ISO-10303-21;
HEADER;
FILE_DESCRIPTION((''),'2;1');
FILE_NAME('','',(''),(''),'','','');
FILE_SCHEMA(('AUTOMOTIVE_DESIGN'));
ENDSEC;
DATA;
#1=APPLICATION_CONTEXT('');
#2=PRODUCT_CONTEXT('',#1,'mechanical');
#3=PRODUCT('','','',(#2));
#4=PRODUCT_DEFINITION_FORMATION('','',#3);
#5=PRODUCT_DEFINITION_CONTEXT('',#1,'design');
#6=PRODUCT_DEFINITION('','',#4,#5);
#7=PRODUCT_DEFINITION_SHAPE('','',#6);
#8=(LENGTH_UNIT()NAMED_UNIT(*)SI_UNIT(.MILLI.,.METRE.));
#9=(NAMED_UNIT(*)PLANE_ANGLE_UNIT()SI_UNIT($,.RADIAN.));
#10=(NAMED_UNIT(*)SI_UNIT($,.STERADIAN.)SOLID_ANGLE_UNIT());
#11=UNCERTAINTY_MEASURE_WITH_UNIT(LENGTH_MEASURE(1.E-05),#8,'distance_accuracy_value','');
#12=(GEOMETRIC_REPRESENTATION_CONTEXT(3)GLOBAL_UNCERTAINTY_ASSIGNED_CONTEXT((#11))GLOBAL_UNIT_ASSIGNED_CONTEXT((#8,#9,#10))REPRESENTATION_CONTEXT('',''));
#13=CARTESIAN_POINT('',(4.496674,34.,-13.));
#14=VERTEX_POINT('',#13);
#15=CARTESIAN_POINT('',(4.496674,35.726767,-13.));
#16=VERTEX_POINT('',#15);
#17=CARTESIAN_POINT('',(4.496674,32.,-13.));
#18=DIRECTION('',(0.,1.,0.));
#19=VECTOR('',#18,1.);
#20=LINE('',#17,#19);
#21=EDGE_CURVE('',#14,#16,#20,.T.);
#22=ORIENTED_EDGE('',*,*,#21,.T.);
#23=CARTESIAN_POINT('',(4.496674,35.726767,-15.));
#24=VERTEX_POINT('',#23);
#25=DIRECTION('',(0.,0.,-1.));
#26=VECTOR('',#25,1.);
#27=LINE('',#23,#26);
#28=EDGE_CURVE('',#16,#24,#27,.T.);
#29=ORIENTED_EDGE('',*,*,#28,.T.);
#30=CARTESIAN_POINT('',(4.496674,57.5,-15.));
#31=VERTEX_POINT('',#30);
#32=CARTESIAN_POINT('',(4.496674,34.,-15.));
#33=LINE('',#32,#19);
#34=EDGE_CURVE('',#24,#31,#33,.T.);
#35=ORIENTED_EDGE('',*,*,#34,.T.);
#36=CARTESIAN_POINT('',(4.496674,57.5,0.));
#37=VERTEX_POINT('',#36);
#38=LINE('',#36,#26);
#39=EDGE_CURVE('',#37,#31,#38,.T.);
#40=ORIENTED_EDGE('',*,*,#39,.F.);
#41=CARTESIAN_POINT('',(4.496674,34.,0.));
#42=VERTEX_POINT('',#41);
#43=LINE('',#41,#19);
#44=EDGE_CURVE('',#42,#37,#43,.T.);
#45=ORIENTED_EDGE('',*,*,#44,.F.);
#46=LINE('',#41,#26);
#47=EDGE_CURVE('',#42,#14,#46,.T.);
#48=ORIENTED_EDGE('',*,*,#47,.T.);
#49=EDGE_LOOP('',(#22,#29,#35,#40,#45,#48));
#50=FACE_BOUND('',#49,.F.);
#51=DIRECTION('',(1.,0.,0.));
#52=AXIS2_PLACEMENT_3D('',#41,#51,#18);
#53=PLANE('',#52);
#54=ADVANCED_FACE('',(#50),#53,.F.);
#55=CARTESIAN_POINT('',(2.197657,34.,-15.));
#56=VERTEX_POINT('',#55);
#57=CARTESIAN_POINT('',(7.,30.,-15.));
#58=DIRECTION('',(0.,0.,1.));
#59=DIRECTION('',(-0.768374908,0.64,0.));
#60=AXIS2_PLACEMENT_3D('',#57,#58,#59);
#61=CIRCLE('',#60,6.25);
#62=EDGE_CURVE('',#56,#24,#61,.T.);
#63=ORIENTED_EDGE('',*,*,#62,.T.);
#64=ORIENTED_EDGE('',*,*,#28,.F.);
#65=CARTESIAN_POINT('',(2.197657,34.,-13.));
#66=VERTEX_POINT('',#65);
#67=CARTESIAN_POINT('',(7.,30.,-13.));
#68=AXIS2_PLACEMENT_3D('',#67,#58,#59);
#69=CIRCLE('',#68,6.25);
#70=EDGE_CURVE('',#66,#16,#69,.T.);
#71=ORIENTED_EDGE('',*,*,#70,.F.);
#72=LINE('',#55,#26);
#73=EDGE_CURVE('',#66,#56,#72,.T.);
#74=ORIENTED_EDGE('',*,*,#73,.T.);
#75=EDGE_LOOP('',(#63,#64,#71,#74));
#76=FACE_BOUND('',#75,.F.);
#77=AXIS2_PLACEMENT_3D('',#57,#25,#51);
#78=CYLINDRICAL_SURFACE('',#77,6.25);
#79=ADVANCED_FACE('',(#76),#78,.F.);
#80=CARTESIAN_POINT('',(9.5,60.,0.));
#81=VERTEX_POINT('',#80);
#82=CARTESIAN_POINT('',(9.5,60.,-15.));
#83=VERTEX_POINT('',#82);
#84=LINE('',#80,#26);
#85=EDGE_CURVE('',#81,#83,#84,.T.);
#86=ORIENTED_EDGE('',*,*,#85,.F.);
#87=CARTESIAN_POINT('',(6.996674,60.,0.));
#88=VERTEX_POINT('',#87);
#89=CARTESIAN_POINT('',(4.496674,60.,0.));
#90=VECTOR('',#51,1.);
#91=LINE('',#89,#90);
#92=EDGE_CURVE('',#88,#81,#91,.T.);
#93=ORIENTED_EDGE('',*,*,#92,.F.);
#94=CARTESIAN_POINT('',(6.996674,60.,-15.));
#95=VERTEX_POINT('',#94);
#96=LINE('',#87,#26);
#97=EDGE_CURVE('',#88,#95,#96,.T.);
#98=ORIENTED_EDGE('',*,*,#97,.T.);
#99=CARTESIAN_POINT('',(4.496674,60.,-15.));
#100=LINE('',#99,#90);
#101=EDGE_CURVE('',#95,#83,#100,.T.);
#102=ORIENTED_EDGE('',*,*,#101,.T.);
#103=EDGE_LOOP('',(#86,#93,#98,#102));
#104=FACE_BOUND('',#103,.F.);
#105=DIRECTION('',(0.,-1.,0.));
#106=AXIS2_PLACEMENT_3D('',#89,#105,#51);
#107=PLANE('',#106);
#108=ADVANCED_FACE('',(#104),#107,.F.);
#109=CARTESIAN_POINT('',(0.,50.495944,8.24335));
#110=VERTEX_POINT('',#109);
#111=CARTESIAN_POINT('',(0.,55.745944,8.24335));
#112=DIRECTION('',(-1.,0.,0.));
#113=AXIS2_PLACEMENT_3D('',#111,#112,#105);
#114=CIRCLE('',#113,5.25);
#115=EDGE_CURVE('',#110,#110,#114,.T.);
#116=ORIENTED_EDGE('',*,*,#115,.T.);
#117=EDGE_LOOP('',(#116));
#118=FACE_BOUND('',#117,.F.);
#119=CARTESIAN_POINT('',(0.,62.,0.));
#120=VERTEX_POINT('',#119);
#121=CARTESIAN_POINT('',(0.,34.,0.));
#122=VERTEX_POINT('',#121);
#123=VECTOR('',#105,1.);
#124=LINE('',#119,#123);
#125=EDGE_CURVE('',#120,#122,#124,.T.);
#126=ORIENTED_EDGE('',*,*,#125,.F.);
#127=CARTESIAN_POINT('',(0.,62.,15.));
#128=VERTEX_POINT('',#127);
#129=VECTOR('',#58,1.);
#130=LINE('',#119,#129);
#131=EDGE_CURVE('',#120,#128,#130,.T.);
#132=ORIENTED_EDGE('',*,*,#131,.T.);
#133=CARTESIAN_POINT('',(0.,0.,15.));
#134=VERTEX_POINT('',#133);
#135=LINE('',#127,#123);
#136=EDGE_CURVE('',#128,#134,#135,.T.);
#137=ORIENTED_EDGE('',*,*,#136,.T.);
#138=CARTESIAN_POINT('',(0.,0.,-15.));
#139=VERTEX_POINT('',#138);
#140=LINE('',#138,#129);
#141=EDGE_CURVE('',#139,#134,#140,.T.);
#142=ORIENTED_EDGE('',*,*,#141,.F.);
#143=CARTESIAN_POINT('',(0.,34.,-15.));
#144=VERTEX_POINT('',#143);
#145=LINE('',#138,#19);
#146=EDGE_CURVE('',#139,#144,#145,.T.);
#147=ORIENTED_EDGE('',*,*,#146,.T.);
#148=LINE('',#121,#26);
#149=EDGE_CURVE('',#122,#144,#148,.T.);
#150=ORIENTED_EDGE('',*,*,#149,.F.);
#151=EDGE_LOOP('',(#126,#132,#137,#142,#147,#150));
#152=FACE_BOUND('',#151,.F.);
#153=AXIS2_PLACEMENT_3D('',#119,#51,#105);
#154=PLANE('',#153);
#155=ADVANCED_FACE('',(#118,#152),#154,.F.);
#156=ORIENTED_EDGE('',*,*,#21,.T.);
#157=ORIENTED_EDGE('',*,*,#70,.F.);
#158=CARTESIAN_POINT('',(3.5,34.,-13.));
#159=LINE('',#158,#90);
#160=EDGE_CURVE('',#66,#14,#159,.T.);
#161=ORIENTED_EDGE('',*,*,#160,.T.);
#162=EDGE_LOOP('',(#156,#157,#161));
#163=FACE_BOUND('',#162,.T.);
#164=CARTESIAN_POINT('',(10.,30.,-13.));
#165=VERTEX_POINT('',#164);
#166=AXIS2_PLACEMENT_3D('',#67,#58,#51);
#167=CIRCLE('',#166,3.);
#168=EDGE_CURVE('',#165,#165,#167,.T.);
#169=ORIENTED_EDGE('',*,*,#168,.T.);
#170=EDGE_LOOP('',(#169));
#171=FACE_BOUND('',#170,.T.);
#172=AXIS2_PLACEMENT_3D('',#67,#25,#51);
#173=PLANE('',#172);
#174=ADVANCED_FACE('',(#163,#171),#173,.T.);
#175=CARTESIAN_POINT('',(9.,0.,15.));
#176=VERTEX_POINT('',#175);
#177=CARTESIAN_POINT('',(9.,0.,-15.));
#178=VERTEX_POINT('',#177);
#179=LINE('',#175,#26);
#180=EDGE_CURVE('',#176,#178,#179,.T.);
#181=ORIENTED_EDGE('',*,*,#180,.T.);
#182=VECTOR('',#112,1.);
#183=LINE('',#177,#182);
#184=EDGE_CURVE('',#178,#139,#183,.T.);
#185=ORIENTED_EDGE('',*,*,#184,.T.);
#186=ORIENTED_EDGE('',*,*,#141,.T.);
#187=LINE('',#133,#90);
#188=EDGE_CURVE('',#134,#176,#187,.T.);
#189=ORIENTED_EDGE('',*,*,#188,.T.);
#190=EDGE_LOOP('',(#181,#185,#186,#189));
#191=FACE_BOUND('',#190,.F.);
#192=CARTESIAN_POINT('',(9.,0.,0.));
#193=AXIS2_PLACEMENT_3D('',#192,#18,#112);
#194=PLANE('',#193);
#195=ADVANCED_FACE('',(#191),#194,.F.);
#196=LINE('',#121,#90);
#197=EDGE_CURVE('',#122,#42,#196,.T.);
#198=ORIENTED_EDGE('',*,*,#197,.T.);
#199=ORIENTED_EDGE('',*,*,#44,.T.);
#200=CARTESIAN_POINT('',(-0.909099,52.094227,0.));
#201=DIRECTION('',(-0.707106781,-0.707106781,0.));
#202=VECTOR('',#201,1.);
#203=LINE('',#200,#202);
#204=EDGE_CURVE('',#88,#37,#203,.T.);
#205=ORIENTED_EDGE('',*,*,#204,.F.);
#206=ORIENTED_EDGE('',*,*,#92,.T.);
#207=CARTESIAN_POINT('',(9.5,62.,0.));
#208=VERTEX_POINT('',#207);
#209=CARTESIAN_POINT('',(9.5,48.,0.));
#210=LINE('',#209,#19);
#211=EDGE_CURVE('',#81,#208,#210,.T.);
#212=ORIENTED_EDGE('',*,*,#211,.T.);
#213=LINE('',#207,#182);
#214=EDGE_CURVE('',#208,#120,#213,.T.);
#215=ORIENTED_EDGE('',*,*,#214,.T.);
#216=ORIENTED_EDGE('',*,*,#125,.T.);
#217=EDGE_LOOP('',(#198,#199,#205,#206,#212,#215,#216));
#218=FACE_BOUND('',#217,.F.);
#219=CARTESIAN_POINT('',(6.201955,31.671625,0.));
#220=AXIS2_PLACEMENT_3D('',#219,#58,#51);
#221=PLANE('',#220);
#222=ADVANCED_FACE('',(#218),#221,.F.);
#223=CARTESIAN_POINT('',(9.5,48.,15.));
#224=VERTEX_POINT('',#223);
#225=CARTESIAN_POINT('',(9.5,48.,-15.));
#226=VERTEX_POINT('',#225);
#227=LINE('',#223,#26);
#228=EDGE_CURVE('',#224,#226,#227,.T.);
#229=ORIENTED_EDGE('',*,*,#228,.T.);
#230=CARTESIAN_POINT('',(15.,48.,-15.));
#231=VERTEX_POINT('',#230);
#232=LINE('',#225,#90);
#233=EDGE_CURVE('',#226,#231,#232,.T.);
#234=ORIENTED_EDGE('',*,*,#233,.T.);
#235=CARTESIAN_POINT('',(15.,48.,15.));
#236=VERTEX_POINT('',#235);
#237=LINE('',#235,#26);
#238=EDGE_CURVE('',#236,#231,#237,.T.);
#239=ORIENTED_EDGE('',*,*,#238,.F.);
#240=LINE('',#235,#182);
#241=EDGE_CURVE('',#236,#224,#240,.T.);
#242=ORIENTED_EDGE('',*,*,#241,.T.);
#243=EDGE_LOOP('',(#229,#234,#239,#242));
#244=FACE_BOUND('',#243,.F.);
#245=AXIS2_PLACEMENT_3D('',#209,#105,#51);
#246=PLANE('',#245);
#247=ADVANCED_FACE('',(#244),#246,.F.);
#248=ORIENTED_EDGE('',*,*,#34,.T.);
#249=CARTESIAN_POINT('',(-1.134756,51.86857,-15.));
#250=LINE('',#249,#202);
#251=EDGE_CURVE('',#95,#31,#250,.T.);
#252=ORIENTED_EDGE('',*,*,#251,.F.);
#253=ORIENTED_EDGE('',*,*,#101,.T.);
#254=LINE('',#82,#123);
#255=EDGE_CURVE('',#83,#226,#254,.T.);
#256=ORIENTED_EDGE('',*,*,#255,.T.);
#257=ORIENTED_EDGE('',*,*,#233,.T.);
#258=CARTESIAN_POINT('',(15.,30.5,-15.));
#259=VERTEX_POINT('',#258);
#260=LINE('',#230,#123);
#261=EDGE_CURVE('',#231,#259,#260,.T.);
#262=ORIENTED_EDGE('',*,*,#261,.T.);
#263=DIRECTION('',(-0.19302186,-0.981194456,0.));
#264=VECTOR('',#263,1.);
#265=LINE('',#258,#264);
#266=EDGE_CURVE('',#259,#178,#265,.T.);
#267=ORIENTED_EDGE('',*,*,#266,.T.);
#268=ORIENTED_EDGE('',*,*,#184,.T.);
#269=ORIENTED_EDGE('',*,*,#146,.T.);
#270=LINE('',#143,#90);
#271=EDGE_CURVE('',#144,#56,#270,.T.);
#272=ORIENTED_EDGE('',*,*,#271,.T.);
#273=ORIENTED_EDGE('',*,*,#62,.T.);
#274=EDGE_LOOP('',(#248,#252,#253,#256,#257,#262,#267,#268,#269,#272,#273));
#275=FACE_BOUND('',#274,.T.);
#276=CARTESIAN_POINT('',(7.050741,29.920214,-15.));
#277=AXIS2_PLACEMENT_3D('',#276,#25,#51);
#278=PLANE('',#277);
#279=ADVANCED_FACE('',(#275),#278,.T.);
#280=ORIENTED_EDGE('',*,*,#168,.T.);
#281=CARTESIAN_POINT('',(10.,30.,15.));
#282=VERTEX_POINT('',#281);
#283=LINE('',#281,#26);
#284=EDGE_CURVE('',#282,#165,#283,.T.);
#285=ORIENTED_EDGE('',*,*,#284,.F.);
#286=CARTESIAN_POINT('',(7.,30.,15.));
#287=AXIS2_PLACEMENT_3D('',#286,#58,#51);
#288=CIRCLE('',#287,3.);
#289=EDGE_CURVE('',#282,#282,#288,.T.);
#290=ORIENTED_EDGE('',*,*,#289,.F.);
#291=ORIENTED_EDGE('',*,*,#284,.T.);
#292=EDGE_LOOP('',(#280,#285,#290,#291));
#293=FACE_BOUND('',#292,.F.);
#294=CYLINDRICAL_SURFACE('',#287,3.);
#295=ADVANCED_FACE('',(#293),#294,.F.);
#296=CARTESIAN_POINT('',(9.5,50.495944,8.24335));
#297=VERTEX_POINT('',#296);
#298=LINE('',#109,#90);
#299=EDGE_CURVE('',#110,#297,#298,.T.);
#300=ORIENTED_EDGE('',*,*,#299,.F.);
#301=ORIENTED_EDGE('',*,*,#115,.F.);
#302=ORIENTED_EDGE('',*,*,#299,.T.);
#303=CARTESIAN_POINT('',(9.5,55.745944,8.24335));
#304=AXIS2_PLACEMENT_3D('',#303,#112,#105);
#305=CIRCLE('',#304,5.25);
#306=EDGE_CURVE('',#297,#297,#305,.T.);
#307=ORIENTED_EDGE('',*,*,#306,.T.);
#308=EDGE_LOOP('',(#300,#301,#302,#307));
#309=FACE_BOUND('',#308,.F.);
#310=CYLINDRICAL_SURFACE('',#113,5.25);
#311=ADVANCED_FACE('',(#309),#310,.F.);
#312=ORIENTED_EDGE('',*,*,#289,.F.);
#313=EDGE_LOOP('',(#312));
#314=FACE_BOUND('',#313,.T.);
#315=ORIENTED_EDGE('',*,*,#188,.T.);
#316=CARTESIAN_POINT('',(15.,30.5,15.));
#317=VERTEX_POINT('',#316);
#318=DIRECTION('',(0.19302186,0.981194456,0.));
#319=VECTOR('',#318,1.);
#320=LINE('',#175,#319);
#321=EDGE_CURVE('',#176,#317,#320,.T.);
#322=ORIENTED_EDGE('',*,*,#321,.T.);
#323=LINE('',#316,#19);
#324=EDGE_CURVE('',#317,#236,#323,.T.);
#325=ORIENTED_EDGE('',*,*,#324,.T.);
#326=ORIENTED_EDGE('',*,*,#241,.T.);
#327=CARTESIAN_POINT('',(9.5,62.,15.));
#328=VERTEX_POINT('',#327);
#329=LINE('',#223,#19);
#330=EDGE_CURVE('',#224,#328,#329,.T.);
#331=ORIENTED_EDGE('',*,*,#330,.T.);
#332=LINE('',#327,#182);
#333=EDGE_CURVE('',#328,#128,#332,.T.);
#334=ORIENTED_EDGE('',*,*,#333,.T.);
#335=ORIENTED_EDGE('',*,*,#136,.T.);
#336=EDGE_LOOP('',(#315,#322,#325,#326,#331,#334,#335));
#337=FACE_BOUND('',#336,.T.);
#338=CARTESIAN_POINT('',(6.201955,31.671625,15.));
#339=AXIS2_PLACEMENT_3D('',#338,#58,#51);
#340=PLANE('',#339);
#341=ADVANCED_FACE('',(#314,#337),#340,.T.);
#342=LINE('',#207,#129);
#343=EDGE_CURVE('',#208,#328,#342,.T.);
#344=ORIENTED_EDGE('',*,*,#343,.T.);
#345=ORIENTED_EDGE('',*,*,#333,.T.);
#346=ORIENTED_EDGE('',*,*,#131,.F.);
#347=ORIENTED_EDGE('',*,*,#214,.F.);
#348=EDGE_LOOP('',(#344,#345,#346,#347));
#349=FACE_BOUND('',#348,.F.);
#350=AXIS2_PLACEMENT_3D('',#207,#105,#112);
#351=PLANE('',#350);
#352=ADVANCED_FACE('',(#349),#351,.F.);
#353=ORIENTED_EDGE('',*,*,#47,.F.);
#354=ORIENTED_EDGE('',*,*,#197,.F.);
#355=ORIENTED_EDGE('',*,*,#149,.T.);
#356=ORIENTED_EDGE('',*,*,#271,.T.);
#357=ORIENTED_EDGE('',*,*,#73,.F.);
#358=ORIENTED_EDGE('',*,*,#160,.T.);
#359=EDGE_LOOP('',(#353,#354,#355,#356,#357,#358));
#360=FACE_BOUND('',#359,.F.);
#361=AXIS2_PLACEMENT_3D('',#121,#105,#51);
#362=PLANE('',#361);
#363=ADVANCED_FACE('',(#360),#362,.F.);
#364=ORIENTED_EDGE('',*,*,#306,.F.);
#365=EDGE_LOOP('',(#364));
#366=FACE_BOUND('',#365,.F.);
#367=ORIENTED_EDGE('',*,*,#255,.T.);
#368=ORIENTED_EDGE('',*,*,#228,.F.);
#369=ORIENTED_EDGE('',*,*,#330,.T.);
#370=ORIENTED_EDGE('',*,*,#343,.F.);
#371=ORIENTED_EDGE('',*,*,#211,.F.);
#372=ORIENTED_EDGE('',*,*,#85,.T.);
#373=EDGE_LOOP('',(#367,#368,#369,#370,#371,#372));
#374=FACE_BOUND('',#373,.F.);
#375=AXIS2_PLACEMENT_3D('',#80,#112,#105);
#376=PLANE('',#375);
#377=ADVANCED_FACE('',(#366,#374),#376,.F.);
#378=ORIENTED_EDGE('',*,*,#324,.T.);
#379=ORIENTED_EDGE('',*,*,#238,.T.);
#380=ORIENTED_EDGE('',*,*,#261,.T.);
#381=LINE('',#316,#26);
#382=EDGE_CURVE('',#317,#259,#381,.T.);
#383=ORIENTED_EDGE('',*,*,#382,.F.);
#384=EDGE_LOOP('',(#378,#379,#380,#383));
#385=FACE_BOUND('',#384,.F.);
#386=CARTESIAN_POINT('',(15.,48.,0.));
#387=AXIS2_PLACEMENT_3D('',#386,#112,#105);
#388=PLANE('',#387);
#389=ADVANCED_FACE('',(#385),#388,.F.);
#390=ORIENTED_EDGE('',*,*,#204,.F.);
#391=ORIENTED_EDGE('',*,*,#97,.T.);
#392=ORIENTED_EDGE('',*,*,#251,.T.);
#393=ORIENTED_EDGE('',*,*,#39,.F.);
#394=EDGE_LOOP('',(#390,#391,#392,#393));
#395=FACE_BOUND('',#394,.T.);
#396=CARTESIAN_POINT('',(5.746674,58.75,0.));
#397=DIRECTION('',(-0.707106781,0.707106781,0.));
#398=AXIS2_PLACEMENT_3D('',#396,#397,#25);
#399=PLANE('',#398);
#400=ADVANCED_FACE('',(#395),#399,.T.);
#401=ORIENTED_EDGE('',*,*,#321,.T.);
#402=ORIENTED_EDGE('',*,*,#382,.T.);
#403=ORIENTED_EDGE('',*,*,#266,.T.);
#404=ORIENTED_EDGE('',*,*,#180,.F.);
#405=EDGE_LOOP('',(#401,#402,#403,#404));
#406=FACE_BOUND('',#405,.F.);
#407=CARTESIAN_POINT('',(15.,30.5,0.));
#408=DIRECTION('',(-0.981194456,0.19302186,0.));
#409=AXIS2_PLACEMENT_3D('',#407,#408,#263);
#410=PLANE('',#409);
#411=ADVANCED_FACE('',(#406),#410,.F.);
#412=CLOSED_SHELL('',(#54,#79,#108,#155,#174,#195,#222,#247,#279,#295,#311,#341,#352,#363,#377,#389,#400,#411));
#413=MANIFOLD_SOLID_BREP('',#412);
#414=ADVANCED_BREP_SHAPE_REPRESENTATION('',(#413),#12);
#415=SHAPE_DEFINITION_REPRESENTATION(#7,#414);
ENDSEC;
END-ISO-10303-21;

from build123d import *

# Parameters (mm, degrees)
F1_DEPTH  = 15
F3_DEPTH  = 15
F4_SIZE   = 2.5
F5_R      = 5.25
F6_DEPTH  = 15
F7_R      = 3
F8_DEPTH  = 35
F9_R      = 6.25
F10_DEPTH = 2


with BuildPart() as f1:
    # F0 (on Top) → F1 (new body)
    with BuildSketch(Plane.XY):
        Polygon((0, 62), (0, 0), (9, 0), (15, 30.5), (15, 48), (9.5, 48), (9.5, 62), align=None)
    extrude(amount=F1_DEPTH)

    # F2 (on face) → F3 (join)
    with BuildSketch(Plane(origin=(0, 0, 0), x_dir=(1, 0, 0), z_dir=(0, 0, -1))):
        Polygon((4.496674, -60), (9.5, -60), (9.5, -48), (15, -48), (15, -30.5), (9, 0), (0, 0), (0, -34), (4.496674, -34), align=None)
    extrude(amount=F3_DEPTH)

    # F4
    f4_edges = [f1.edges().sort_by_distance(p)[0] for p in [
        (4.496674, 60, -7.5),
    ]]
    chamfer(f4_edges, length=F4_SIZE)

    # F5 (on face) → F6 (cut)
    with BuildSketch(Plane(origin=(0, 0, 0), x_dir=(0, -1, 0), z_dir=(-1, 0, 0))):
        with Locations((-55.745944, 8.24335)):
            Circle(F5_R)
    extrude(amount=-F6_DEPTH, mode=Mode.SUBTRACT)

    # F7 (on face) → F8 (cut)
    with BuildSketch(Plane.XY.offset(15)):
        with Locations((7, 30)):
            Circle(F7_R)
    extrude(amount=-F8_DEPTH, mode=Mode.SUBTRACT)

    # F9 (on face) → F10 (cut)
    with BuildSketch(Plane(origin=(0, 0, -15), x_dir=(1, 0, 0), z_dir=(0, 0, -1))):
        with Locations((7, -30)):
            Circle(F9_R)
    extrude(amount=-F10_DEPTH, mode=Mode.SUBTRACT)


solid = f1.part
